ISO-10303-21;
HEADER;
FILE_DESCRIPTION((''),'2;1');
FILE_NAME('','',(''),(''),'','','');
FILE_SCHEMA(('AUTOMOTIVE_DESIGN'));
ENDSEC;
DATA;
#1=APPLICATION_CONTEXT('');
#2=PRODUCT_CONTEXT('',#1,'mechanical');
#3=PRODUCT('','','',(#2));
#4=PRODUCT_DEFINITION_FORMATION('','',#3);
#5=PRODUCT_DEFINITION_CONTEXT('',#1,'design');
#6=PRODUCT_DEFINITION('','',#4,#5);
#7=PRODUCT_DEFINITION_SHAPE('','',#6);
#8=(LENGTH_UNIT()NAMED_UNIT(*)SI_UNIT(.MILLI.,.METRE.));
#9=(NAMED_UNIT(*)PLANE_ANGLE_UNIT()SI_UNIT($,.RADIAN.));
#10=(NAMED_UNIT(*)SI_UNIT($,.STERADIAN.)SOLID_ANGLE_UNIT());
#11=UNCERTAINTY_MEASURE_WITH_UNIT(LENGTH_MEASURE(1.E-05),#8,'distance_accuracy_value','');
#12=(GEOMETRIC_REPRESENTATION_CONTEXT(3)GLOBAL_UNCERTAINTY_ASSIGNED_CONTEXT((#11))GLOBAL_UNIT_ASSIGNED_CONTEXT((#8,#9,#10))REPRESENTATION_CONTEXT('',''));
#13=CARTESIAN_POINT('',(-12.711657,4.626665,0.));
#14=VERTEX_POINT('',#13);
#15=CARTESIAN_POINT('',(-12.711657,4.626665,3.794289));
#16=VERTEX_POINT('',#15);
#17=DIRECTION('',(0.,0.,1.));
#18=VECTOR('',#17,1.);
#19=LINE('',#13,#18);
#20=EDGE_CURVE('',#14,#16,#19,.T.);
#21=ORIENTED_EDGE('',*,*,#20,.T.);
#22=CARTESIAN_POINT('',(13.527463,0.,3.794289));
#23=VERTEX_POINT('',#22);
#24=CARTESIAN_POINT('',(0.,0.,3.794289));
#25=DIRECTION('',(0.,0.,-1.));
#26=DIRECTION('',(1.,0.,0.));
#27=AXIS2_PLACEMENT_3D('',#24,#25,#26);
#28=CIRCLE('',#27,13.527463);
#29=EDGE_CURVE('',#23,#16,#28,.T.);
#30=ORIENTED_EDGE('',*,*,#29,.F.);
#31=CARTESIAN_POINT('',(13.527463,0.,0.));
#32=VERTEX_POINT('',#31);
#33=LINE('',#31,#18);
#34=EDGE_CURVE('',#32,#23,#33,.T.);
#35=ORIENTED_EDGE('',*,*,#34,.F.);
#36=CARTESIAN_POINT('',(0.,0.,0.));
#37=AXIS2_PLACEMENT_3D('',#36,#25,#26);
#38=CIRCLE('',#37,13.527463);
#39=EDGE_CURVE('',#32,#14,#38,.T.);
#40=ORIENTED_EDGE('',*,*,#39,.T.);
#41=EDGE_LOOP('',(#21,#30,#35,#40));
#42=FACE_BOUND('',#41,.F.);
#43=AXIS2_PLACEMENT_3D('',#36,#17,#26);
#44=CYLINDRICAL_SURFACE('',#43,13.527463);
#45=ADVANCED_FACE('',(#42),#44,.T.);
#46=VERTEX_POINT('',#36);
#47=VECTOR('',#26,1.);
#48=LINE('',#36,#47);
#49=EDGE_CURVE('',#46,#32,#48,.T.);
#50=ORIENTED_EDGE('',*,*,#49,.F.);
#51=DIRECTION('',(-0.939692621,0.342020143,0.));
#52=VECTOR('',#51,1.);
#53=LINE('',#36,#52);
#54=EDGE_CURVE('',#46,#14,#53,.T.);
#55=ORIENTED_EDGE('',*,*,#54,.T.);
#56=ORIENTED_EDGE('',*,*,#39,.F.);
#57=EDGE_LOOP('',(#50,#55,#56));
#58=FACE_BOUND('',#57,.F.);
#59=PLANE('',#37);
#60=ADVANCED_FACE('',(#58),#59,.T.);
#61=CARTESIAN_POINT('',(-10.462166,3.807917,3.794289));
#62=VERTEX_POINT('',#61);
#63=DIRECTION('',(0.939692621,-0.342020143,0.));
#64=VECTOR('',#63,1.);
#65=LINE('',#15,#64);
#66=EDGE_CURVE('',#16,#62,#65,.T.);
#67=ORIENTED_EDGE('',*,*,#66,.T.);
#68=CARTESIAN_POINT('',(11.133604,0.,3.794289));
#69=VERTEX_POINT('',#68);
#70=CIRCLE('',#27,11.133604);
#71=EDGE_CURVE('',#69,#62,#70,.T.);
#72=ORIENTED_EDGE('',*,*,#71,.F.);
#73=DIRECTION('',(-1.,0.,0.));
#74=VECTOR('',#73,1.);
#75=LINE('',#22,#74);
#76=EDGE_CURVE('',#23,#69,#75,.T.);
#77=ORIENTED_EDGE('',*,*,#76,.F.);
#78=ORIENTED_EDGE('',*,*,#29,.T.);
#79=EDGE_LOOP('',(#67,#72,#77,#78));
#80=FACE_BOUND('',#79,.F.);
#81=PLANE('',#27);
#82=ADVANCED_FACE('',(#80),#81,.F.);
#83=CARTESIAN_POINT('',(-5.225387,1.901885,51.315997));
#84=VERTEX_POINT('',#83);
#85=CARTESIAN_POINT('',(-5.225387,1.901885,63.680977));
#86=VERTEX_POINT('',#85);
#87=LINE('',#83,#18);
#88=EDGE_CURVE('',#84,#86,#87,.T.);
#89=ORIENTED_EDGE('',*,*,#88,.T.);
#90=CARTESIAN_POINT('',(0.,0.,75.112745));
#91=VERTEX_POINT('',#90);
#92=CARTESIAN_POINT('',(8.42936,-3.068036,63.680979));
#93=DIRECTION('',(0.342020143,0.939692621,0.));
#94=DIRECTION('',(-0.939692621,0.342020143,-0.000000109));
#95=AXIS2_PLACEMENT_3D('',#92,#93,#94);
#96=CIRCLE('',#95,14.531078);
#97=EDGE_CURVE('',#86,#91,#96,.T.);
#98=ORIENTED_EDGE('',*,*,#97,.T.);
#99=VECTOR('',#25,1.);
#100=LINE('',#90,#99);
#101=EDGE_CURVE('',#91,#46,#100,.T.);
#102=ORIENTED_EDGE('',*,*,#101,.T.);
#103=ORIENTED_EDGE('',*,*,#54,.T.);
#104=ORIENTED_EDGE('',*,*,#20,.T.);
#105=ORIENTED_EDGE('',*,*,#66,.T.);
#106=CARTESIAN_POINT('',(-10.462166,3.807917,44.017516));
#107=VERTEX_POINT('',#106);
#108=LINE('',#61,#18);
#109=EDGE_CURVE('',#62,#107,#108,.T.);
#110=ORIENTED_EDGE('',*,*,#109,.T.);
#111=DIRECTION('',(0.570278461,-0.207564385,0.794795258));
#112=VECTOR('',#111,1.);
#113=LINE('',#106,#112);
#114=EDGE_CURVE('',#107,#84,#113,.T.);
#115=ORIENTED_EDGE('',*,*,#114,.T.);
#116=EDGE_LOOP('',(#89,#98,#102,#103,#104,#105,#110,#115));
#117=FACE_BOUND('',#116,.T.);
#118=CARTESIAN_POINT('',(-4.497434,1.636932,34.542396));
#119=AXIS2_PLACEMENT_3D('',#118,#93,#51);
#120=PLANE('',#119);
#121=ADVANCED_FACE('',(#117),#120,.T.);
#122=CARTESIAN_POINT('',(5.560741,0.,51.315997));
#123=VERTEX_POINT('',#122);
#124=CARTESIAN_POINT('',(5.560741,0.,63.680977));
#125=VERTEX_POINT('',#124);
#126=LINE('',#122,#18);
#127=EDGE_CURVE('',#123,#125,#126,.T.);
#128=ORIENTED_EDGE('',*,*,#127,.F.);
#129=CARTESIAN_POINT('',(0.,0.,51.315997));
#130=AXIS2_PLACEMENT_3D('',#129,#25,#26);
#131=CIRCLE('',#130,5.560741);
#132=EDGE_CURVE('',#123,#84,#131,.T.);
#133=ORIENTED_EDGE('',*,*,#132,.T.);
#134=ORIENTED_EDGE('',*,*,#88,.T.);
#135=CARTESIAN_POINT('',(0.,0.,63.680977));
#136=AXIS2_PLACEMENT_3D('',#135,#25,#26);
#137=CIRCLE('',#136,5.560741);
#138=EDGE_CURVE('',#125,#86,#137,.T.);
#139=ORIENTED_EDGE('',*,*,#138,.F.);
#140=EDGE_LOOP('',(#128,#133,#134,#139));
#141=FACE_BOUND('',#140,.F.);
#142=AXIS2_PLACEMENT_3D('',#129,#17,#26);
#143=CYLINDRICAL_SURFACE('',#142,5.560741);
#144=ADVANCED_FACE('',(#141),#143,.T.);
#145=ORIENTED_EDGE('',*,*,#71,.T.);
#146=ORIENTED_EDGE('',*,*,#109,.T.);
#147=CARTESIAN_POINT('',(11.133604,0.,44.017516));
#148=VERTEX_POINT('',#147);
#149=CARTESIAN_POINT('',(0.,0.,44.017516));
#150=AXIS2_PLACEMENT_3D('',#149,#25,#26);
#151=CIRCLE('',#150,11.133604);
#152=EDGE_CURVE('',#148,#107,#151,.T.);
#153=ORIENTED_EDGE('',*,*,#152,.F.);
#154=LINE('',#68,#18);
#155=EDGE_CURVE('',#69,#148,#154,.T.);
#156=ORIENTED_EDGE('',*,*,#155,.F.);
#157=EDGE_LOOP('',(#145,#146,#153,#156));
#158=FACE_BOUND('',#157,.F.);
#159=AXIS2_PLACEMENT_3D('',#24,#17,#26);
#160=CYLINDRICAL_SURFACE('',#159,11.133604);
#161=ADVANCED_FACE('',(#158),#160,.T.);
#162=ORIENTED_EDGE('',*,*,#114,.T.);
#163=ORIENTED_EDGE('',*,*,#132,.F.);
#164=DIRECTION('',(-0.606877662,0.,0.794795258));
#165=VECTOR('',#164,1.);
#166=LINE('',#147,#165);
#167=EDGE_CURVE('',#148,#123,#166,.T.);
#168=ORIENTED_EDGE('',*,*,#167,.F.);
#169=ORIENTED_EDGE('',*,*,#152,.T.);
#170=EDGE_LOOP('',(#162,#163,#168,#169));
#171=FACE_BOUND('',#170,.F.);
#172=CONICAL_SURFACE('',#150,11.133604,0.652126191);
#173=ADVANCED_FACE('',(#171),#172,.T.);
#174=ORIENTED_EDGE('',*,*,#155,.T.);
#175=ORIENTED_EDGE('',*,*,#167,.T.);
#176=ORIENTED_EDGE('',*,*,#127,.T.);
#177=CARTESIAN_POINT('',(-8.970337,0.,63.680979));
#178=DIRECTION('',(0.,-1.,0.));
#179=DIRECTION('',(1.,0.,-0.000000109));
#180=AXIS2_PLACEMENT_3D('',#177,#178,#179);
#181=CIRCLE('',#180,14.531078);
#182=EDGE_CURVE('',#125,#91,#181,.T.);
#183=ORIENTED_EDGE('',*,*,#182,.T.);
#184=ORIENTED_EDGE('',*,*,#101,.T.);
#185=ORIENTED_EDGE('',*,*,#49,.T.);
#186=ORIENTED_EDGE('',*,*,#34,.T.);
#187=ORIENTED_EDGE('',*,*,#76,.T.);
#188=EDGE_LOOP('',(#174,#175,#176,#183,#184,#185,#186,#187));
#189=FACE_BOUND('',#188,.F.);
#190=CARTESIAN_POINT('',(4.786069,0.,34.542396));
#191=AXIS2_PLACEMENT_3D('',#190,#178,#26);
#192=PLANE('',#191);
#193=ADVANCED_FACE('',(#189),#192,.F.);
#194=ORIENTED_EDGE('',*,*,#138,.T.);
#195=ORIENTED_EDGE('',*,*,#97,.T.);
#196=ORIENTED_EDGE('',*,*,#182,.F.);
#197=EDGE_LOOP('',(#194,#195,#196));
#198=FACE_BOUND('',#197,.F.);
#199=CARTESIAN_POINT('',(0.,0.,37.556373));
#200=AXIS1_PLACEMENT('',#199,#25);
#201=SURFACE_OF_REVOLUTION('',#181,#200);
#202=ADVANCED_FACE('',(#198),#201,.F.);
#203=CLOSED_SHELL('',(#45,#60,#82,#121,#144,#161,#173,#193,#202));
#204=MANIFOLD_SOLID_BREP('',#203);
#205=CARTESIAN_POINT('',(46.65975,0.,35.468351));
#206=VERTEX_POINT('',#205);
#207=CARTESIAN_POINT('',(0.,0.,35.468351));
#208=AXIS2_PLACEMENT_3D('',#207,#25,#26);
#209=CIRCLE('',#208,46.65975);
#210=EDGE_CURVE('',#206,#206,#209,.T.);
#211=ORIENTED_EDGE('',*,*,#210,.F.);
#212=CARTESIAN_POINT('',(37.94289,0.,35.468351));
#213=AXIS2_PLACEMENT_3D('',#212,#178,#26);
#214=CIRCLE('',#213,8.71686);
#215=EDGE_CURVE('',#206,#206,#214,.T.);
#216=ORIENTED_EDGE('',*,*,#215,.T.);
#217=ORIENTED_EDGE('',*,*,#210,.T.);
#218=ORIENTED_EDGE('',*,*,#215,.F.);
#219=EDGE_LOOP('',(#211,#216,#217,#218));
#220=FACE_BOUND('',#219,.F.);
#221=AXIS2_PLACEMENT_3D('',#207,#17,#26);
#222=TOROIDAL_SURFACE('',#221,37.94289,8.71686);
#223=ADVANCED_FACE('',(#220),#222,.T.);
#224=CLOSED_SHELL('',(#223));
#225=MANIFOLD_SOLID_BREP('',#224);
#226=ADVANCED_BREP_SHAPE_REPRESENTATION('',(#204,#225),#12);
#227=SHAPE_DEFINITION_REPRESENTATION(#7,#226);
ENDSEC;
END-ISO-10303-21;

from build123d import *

# Parameters (mm, degrees)
F1_ANGLE = 200
F2_R     = 8.71686


with BuildPart() as f1:
    # F0 (on Front) → F1 (revolve)
    with BuildSketch(Plane.XZ):
        with BuildLine():
            Line((0, 75.112745), (0, 0))
            Line((0, 0), (13.527463, 0))
            Line((13.527463, 0), (13.527463, 3.794289))
            Line((13.527463, 3.794289), (11.133604, 3.794289))
            Line((11.133604, 3.794289), (11.133604, 44.017516))
            Line((11.133604, 44.017516), (5.560741, 51.315997))
            Line((5.560741, 51.315997), (5.560741, 63.680977))
            ThreePointArc((5.560741, 63.680977), (4.096815, 70.037217), (0, 75.112745))
        make_face()
    revolve(axis=Axis((0, 0, 37.556373), (0, 0, -1)), revolution_arc=F1_ANGLE)


with BuildPart() as f3:
    # F2 (on Front) → F3 (revolve)
    with BuildSketch(Plane.XZ):
        with Locations((37.94289, 35.468351)):
            Circle(F2_R)
    revolve(axis=Axis((0, 0, 37.556373), (0, 0, -1)))


solid = Compound([f1.part, f3.part])
